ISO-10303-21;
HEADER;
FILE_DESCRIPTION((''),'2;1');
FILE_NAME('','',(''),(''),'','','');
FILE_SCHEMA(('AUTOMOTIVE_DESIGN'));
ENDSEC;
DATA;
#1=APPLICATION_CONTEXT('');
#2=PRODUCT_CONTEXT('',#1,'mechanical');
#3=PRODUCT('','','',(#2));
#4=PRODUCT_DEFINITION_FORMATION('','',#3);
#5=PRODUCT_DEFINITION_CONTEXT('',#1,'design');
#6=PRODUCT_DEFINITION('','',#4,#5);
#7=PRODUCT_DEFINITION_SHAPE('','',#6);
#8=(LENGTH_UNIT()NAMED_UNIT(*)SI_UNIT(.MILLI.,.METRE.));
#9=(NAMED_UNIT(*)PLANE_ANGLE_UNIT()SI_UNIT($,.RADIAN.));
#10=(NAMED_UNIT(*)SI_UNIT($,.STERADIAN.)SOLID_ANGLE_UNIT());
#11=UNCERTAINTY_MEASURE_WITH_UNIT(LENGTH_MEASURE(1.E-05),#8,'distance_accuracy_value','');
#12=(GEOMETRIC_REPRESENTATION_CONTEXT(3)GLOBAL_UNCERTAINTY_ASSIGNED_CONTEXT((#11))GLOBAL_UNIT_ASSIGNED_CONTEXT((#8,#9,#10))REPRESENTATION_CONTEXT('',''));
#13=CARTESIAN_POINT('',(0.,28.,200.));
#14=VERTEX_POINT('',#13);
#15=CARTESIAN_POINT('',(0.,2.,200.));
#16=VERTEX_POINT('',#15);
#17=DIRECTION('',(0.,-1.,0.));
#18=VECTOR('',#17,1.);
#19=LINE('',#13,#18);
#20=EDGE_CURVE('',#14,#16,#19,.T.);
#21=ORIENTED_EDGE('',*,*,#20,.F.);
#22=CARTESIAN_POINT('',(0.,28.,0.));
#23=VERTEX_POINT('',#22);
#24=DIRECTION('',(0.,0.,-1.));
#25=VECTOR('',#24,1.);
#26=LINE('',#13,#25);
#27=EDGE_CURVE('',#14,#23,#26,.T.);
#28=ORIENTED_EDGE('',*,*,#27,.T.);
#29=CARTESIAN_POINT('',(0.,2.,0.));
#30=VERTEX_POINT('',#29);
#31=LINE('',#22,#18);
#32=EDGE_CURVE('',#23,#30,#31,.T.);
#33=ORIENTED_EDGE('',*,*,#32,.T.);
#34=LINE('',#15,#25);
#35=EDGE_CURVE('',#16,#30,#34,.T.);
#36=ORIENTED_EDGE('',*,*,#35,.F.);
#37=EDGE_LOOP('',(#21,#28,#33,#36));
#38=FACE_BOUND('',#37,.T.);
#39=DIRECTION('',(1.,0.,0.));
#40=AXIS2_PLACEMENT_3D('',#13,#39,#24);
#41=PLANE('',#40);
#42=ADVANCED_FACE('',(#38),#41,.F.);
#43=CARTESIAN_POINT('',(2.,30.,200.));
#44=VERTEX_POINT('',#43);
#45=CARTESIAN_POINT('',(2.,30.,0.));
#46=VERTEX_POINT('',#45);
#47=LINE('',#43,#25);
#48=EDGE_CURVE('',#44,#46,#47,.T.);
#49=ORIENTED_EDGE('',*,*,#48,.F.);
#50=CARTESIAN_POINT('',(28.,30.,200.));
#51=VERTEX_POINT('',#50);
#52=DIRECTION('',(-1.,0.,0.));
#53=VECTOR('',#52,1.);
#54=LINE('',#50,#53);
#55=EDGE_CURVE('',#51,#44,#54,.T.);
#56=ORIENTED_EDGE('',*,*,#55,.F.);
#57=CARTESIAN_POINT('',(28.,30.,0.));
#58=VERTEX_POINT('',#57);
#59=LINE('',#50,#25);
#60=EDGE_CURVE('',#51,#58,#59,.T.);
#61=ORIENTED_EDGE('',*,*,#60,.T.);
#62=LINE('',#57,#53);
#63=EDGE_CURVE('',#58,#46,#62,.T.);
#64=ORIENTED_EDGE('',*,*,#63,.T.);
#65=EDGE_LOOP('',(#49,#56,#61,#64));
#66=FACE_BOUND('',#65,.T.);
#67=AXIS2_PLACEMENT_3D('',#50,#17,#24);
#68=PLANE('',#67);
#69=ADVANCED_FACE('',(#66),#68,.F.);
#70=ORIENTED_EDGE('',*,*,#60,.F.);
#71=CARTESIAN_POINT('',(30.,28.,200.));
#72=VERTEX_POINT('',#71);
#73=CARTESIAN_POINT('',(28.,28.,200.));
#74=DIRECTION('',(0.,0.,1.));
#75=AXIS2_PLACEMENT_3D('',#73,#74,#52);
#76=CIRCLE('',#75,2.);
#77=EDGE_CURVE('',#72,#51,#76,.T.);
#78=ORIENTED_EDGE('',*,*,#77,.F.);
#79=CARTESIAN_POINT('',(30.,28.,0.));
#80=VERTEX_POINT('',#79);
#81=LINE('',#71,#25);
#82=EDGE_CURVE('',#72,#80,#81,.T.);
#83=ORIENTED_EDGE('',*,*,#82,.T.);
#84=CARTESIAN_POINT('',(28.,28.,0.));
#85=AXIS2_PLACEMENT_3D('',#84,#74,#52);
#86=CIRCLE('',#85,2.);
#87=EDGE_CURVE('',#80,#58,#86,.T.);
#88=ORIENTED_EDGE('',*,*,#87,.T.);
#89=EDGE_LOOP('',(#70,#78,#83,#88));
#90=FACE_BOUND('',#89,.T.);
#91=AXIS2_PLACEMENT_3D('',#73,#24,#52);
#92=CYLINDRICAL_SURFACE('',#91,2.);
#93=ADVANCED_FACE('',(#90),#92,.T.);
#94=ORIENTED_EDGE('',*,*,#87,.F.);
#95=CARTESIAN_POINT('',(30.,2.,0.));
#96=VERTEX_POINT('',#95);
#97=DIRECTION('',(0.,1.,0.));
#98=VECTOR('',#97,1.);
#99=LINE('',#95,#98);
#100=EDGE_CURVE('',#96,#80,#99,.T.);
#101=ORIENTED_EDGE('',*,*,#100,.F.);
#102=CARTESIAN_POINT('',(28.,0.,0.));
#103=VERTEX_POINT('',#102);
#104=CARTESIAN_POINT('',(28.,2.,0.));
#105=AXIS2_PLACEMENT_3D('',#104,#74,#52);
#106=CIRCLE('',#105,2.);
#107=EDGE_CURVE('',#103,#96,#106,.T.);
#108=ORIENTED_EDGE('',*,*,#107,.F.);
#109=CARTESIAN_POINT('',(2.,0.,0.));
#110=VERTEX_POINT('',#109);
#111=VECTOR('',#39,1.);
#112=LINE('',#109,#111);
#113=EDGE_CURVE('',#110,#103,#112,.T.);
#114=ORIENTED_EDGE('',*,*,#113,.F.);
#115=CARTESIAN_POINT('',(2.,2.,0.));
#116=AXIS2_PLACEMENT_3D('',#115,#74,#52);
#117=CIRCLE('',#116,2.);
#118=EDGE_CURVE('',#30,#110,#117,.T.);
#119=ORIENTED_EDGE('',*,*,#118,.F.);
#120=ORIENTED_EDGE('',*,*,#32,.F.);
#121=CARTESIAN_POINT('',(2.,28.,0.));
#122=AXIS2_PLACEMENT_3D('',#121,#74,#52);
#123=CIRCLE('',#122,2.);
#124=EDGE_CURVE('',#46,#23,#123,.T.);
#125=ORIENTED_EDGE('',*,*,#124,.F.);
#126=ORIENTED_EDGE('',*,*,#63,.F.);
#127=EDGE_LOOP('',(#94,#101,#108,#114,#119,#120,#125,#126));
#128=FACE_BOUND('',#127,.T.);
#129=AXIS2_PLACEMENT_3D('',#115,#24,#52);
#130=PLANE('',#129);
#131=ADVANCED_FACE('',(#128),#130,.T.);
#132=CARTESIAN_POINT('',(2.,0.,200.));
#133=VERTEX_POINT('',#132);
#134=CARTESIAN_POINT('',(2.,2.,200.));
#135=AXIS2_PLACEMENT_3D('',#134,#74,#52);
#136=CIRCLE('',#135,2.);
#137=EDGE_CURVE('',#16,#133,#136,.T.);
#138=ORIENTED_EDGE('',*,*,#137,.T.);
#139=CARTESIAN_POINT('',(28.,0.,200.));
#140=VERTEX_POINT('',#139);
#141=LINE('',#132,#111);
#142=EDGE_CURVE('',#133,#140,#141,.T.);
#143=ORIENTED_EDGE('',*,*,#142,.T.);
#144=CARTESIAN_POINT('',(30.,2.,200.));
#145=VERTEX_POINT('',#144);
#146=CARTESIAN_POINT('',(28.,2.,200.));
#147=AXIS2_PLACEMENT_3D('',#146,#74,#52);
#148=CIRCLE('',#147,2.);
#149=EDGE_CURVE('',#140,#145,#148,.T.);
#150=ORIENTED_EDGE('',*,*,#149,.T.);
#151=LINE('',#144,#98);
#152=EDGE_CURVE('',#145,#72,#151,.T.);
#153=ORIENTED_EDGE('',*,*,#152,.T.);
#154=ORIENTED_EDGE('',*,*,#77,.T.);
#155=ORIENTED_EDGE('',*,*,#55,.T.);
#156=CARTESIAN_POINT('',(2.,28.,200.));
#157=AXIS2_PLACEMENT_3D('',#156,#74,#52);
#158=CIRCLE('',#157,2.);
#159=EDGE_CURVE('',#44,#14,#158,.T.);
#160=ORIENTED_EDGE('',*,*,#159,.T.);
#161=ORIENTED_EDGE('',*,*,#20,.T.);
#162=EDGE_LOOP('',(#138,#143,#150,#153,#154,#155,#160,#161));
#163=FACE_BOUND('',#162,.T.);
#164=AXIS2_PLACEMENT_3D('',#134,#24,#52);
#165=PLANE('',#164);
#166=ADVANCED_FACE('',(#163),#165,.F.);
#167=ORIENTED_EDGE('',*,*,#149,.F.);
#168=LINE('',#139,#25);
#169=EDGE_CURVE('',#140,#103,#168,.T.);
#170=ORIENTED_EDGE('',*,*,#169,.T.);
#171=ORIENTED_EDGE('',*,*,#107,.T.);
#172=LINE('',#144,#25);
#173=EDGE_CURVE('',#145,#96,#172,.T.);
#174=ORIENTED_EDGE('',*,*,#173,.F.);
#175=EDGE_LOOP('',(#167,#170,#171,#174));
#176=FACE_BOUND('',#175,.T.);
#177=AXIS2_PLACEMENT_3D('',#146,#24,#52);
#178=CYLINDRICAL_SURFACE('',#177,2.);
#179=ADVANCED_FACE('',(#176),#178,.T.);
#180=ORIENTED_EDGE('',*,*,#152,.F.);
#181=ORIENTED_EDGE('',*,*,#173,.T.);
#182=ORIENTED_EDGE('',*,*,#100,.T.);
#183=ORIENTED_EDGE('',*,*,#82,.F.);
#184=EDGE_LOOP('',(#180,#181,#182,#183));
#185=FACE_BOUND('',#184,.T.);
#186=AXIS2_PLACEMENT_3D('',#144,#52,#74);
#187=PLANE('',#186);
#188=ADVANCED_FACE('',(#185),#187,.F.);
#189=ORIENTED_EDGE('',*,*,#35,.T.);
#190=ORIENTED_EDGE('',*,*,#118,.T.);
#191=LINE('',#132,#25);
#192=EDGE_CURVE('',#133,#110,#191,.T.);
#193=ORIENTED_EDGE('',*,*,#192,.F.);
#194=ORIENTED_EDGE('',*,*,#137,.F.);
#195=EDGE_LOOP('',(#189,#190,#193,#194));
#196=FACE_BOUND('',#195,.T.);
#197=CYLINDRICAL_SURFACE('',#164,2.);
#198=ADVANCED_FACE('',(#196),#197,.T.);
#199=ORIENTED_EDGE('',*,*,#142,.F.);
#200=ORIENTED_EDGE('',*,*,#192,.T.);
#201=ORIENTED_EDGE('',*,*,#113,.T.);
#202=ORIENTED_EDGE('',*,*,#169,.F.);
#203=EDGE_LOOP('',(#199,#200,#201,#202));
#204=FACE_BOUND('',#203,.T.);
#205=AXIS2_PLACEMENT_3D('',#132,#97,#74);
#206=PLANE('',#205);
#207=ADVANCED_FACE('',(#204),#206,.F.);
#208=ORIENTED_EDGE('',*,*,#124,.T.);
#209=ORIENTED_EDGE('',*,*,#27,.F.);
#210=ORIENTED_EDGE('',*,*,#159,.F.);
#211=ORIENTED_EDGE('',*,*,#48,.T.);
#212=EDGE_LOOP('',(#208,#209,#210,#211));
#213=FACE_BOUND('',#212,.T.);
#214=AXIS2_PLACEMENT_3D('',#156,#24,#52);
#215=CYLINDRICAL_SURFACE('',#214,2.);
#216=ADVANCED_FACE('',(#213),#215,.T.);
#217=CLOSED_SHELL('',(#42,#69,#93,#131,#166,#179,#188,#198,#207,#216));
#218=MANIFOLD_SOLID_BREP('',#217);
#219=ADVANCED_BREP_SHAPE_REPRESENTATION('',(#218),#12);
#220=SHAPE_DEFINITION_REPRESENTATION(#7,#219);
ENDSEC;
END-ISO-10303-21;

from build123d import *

# Parameters (mm, degrees)
BOSS_EXTRUDE1_DEPTH = 200


with BuildPart() as part:
    # Sketch3 → Boss-Extrude1 (new body)
    with BuildSketch(Plane.XY):
        with BuildLine():
            Line((2, 0), (28, 0))
            ThreePointArc((28, 0), (29.414213562, 0.585786438), (30, 2))
            Line((30, 2), (30, 28))
            ThreePointArc((30, 28), (29.414213562, 29.414213562), (28, 30))
            Line((28, 30), (2, 30))
            ThreePointArc((2, 30), (0.585786438, 29.414213562), (0, 28))
            Line((0, 28), (0, 2))
            ThreePointArc((0, 2), (0.585786438, 0.585786438), (2, 0))
        make_face()
    extrude(amount=BOSS_EXTRUDE1_DEPTH)


solid = part.part
